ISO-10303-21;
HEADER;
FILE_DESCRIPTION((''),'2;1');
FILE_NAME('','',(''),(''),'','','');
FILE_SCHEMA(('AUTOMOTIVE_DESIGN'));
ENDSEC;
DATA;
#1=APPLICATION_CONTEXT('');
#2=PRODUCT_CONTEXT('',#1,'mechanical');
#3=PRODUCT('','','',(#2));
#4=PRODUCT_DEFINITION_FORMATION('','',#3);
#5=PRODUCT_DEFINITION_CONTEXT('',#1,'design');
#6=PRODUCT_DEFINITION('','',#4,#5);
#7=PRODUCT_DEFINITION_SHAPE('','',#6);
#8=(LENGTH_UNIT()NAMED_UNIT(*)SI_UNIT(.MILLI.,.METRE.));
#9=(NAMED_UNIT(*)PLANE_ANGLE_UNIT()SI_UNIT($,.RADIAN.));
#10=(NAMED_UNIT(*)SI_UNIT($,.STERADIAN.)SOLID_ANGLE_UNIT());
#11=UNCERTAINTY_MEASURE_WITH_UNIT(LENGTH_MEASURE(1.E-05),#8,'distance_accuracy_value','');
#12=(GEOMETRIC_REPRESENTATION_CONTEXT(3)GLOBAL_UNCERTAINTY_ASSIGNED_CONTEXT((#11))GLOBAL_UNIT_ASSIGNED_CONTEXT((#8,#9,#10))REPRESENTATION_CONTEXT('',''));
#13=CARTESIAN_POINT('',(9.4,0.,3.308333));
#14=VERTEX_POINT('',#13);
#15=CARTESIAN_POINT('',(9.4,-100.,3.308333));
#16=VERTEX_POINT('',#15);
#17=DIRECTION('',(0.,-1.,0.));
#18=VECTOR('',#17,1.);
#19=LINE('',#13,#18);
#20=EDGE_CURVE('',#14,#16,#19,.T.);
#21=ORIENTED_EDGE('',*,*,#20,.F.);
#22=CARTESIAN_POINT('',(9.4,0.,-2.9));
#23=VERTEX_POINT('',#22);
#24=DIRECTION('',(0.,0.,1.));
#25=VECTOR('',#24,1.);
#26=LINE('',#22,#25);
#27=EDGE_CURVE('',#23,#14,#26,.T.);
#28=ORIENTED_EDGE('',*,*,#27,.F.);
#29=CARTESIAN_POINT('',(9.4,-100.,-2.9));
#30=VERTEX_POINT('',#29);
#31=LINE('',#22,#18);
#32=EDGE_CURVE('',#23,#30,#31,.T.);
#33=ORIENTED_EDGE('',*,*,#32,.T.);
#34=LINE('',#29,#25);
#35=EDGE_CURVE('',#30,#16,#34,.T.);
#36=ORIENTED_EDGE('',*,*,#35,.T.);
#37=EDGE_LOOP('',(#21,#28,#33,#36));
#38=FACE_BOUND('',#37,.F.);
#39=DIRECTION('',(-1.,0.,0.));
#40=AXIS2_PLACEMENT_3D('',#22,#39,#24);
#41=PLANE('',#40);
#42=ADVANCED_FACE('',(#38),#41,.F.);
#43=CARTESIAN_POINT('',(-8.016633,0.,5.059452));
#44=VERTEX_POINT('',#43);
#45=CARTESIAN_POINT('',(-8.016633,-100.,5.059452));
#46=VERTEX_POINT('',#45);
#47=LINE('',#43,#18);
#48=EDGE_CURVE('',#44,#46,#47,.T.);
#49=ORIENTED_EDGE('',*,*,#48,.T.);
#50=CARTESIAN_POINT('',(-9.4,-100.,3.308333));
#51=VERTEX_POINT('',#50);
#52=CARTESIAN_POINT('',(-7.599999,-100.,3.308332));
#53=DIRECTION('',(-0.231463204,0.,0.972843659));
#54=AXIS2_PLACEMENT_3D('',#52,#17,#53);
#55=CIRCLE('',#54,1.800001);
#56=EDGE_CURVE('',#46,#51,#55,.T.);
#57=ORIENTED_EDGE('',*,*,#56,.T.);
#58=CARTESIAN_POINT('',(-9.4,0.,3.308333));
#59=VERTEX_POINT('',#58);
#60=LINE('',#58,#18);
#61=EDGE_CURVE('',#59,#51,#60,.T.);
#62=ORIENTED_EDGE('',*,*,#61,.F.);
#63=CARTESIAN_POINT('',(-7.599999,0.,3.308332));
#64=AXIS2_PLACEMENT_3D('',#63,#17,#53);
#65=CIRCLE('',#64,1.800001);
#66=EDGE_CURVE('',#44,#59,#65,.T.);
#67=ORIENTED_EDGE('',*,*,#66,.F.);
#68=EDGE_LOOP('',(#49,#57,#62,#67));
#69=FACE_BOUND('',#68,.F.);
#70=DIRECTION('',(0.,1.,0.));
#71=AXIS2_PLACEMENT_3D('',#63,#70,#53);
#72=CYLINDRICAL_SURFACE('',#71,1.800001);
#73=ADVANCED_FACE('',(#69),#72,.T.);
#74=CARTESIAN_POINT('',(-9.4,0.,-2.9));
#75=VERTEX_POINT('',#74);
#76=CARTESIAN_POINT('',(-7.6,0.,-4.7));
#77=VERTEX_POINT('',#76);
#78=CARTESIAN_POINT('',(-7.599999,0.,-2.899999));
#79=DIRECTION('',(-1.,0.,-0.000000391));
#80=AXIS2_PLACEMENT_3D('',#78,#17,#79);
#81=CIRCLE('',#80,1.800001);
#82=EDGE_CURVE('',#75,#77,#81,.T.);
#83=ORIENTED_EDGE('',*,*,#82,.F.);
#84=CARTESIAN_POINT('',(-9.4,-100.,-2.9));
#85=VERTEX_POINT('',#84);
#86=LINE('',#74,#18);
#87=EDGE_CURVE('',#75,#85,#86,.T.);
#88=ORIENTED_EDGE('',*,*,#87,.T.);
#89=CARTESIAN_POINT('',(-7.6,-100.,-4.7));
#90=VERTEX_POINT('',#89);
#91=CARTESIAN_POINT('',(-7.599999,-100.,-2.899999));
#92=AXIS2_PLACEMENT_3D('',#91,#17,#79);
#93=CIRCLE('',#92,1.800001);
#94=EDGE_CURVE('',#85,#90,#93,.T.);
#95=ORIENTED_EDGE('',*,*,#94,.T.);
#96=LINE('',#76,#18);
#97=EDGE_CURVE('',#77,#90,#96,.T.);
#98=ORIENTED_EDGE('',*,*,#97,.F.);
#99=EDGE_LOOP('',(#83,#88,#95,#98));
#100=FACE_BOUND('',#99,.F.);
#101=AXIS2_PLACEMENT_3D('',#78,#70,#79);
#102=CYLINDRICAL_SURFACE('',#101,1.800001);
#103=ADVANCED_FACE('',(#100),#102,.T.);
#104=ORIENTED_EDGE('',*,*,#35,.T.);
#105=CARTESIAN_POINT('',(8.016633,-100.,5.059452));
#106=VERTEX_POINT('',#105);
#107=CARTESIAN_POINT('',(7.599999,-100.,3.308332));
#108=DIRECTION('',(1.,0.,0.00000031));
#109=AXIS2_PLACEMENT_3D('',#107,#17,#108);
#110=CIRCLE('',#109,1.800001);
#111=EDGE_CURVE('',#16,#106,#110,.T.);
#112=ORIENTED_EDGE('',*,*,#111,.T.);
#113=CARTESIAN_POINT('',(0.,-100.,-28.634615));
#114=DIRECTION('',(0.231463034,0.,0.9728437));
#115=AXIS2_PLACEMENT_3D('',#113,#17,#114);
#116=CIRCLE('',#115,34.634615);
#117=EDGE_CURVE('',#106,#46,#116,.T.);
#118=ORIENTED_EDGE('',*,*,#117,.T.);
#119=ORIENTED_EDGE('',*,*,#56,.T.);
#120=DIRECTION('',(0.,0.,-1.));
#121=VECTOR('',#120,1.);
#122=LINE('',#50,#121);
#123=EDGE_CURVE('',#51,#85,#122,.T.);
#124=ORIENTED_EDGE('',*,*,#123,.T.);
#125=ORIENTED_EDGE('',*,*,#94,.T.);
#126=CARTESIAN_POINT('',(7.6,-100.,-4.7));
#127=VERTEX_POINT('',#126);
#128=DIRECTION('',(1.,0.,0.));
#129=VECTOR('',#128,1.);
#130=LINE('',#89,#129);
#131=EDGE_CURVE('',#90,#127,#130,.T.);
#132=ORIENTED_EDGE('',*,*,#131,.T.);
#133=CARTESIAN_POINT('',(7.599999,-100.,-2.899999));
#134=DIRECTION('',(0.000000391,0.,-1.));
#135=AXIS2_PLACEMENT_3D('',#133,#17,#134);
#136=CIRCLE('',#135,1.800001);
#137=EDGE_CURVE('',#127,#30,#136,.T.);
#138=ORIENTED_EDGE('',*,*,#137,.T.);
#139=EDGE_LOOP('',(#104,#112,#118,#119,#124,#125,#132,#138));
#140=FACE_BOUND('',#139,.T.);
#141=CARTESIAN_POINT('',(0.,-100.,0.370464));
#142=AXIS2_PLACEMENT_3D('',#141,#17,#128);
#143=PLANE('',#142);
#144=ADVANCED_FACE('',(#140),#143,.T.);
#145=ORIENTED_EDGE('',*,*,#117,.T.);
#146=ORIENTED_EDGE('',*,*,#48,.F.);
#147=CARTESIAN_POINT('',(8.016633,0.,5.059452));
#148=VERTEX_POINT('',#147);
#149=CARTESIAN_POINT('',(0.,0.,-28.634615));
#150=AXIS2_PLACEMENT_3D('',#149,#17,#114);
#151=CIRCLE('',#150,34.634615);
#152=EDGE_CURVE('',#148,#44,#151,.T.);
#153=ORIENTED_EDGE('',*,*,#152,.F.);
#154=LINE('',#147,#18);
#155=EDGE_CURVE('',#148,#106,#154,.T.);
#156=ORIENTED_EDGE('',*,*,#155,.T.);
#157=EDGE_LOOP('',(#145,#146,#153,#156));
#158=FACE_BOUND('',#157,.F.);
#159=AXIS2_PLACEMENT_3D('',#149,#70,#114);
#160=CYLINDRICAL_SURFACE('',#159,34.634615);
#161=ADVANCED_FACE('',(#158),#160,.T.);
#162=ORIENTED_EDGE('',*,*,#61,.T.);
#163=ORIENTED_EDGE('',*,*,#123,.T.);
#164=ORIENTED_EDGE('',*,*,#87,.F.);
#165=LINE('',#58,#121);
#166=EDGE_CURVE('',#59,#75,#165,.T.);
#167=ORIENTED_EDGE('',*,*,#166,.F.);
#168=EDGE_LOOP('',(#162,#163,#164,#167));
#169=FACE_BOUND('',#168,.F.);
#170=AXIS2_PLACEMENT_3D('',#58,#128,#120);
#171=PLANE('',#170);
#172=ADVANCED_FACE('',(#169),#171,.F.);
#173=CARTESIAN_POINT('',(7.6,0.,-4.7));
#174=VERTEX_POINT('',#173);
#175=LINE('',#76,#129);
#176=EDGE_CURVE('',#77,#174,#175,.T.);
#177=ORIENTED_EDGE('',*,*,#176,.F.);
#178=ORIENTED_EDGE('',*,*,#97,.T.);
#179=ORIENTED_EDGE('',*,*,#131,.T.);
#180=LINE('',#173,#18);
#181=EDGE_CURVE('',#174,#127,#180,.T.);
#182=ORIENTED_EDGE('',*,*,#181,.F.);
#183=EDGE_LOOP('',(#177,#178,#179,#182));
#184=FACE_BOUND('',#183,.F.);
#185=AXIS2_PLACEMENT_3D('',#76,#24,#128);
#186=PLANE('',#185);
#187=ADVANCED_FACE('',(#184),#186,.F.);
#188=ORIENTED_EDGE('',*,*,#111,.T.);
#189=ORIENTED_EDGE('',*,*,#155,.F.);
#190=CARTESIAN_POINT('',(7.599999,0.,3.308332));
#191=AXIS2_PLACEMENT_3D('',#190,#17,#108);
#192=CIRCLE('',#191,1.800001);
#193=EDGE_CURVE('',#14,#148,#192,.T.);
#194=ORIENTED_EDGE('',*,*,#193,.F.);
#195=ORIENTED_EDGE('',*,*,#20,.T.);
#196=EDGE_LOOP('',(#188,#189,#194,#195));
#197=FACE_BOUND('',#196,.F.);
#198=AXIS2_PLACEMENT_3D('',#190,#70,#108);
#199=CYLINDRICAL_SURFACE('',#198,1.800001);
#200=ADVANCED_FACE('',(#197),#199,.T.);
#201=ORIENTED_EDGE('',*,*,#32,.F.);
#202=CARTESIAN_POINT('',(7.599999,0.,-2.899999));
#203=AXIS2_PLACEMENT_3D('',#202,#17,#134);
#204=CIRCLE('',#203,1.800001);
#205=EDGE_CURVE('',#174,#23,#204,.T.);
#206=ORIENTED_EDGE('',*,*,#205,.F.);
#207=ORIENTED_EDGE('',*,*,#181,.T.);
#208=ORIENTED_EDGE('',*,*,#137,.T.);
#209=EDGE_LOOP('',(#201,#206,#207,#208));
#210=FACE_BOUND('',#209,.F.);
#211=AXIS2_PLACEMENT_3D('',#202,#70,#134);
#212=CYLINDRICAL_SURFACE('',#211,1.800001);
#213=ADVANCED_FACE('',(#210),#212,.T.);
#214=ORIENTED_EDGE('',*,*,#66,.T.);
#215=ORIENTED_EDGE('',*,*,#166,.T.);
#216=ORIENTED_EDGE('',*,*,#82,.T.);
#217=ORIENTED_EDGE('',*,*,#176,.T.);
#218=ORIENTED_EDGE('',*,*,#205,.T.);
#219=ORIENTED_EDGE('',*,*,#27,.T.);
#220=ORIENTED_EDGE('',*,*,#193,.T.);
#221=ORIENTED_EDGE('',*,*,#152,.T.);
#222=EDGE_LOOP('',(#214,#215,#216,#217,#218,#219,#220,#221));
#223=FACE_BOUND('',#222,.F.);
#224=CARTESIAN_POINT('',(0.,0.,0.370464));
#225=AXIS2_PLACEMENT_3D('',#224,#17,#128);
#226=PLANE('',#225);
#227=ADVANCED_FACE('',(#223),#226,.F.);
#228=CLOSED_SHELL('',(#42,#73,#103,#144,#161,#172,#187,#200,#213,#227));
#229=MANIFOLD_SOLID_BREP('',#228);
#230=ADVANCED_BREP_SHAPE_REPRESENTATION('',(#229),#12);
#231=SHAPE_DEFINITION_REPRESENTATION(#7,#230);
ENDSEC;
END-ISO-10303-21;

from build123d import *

# Parameters (mm, degrees)
F1_DEPTH = 100


with BuildPart() as f1:
    # F0 (on Front) → F1 (new body)
    with BuildSketch(Plane.XZ):
        with BuildLine():
            ThreePointArc((-9.4, -2.9), (-8.872792, -4.172792), (-7.6, -4.7))
            Line((-7.6, -4.7), (7.6, -4.7))
            ThreePointArc((7.6, -4.7), (8.872792, -4.172792), (9.4, -2.9))
            Line((9.4, -2.9), (9.4, 3.308333))
            ThreePointArc((9.4, 3.308333), (9.012434, 4.424142), (8.016633, 5.059452))
            ThreePointArc((8.016633, 5.059452), (0, 6), (-8.016633, 5.059452))
            ThreePointArc((-8.016633, 5.059452), (-9.012434, 4.424142), (-9.4, 3.308333))
            Line((-9.4, 3.308333), (-9.4, -2.9))
        make_face()
    extrude(amount=F1_DEPTH)


solid = f1.part
